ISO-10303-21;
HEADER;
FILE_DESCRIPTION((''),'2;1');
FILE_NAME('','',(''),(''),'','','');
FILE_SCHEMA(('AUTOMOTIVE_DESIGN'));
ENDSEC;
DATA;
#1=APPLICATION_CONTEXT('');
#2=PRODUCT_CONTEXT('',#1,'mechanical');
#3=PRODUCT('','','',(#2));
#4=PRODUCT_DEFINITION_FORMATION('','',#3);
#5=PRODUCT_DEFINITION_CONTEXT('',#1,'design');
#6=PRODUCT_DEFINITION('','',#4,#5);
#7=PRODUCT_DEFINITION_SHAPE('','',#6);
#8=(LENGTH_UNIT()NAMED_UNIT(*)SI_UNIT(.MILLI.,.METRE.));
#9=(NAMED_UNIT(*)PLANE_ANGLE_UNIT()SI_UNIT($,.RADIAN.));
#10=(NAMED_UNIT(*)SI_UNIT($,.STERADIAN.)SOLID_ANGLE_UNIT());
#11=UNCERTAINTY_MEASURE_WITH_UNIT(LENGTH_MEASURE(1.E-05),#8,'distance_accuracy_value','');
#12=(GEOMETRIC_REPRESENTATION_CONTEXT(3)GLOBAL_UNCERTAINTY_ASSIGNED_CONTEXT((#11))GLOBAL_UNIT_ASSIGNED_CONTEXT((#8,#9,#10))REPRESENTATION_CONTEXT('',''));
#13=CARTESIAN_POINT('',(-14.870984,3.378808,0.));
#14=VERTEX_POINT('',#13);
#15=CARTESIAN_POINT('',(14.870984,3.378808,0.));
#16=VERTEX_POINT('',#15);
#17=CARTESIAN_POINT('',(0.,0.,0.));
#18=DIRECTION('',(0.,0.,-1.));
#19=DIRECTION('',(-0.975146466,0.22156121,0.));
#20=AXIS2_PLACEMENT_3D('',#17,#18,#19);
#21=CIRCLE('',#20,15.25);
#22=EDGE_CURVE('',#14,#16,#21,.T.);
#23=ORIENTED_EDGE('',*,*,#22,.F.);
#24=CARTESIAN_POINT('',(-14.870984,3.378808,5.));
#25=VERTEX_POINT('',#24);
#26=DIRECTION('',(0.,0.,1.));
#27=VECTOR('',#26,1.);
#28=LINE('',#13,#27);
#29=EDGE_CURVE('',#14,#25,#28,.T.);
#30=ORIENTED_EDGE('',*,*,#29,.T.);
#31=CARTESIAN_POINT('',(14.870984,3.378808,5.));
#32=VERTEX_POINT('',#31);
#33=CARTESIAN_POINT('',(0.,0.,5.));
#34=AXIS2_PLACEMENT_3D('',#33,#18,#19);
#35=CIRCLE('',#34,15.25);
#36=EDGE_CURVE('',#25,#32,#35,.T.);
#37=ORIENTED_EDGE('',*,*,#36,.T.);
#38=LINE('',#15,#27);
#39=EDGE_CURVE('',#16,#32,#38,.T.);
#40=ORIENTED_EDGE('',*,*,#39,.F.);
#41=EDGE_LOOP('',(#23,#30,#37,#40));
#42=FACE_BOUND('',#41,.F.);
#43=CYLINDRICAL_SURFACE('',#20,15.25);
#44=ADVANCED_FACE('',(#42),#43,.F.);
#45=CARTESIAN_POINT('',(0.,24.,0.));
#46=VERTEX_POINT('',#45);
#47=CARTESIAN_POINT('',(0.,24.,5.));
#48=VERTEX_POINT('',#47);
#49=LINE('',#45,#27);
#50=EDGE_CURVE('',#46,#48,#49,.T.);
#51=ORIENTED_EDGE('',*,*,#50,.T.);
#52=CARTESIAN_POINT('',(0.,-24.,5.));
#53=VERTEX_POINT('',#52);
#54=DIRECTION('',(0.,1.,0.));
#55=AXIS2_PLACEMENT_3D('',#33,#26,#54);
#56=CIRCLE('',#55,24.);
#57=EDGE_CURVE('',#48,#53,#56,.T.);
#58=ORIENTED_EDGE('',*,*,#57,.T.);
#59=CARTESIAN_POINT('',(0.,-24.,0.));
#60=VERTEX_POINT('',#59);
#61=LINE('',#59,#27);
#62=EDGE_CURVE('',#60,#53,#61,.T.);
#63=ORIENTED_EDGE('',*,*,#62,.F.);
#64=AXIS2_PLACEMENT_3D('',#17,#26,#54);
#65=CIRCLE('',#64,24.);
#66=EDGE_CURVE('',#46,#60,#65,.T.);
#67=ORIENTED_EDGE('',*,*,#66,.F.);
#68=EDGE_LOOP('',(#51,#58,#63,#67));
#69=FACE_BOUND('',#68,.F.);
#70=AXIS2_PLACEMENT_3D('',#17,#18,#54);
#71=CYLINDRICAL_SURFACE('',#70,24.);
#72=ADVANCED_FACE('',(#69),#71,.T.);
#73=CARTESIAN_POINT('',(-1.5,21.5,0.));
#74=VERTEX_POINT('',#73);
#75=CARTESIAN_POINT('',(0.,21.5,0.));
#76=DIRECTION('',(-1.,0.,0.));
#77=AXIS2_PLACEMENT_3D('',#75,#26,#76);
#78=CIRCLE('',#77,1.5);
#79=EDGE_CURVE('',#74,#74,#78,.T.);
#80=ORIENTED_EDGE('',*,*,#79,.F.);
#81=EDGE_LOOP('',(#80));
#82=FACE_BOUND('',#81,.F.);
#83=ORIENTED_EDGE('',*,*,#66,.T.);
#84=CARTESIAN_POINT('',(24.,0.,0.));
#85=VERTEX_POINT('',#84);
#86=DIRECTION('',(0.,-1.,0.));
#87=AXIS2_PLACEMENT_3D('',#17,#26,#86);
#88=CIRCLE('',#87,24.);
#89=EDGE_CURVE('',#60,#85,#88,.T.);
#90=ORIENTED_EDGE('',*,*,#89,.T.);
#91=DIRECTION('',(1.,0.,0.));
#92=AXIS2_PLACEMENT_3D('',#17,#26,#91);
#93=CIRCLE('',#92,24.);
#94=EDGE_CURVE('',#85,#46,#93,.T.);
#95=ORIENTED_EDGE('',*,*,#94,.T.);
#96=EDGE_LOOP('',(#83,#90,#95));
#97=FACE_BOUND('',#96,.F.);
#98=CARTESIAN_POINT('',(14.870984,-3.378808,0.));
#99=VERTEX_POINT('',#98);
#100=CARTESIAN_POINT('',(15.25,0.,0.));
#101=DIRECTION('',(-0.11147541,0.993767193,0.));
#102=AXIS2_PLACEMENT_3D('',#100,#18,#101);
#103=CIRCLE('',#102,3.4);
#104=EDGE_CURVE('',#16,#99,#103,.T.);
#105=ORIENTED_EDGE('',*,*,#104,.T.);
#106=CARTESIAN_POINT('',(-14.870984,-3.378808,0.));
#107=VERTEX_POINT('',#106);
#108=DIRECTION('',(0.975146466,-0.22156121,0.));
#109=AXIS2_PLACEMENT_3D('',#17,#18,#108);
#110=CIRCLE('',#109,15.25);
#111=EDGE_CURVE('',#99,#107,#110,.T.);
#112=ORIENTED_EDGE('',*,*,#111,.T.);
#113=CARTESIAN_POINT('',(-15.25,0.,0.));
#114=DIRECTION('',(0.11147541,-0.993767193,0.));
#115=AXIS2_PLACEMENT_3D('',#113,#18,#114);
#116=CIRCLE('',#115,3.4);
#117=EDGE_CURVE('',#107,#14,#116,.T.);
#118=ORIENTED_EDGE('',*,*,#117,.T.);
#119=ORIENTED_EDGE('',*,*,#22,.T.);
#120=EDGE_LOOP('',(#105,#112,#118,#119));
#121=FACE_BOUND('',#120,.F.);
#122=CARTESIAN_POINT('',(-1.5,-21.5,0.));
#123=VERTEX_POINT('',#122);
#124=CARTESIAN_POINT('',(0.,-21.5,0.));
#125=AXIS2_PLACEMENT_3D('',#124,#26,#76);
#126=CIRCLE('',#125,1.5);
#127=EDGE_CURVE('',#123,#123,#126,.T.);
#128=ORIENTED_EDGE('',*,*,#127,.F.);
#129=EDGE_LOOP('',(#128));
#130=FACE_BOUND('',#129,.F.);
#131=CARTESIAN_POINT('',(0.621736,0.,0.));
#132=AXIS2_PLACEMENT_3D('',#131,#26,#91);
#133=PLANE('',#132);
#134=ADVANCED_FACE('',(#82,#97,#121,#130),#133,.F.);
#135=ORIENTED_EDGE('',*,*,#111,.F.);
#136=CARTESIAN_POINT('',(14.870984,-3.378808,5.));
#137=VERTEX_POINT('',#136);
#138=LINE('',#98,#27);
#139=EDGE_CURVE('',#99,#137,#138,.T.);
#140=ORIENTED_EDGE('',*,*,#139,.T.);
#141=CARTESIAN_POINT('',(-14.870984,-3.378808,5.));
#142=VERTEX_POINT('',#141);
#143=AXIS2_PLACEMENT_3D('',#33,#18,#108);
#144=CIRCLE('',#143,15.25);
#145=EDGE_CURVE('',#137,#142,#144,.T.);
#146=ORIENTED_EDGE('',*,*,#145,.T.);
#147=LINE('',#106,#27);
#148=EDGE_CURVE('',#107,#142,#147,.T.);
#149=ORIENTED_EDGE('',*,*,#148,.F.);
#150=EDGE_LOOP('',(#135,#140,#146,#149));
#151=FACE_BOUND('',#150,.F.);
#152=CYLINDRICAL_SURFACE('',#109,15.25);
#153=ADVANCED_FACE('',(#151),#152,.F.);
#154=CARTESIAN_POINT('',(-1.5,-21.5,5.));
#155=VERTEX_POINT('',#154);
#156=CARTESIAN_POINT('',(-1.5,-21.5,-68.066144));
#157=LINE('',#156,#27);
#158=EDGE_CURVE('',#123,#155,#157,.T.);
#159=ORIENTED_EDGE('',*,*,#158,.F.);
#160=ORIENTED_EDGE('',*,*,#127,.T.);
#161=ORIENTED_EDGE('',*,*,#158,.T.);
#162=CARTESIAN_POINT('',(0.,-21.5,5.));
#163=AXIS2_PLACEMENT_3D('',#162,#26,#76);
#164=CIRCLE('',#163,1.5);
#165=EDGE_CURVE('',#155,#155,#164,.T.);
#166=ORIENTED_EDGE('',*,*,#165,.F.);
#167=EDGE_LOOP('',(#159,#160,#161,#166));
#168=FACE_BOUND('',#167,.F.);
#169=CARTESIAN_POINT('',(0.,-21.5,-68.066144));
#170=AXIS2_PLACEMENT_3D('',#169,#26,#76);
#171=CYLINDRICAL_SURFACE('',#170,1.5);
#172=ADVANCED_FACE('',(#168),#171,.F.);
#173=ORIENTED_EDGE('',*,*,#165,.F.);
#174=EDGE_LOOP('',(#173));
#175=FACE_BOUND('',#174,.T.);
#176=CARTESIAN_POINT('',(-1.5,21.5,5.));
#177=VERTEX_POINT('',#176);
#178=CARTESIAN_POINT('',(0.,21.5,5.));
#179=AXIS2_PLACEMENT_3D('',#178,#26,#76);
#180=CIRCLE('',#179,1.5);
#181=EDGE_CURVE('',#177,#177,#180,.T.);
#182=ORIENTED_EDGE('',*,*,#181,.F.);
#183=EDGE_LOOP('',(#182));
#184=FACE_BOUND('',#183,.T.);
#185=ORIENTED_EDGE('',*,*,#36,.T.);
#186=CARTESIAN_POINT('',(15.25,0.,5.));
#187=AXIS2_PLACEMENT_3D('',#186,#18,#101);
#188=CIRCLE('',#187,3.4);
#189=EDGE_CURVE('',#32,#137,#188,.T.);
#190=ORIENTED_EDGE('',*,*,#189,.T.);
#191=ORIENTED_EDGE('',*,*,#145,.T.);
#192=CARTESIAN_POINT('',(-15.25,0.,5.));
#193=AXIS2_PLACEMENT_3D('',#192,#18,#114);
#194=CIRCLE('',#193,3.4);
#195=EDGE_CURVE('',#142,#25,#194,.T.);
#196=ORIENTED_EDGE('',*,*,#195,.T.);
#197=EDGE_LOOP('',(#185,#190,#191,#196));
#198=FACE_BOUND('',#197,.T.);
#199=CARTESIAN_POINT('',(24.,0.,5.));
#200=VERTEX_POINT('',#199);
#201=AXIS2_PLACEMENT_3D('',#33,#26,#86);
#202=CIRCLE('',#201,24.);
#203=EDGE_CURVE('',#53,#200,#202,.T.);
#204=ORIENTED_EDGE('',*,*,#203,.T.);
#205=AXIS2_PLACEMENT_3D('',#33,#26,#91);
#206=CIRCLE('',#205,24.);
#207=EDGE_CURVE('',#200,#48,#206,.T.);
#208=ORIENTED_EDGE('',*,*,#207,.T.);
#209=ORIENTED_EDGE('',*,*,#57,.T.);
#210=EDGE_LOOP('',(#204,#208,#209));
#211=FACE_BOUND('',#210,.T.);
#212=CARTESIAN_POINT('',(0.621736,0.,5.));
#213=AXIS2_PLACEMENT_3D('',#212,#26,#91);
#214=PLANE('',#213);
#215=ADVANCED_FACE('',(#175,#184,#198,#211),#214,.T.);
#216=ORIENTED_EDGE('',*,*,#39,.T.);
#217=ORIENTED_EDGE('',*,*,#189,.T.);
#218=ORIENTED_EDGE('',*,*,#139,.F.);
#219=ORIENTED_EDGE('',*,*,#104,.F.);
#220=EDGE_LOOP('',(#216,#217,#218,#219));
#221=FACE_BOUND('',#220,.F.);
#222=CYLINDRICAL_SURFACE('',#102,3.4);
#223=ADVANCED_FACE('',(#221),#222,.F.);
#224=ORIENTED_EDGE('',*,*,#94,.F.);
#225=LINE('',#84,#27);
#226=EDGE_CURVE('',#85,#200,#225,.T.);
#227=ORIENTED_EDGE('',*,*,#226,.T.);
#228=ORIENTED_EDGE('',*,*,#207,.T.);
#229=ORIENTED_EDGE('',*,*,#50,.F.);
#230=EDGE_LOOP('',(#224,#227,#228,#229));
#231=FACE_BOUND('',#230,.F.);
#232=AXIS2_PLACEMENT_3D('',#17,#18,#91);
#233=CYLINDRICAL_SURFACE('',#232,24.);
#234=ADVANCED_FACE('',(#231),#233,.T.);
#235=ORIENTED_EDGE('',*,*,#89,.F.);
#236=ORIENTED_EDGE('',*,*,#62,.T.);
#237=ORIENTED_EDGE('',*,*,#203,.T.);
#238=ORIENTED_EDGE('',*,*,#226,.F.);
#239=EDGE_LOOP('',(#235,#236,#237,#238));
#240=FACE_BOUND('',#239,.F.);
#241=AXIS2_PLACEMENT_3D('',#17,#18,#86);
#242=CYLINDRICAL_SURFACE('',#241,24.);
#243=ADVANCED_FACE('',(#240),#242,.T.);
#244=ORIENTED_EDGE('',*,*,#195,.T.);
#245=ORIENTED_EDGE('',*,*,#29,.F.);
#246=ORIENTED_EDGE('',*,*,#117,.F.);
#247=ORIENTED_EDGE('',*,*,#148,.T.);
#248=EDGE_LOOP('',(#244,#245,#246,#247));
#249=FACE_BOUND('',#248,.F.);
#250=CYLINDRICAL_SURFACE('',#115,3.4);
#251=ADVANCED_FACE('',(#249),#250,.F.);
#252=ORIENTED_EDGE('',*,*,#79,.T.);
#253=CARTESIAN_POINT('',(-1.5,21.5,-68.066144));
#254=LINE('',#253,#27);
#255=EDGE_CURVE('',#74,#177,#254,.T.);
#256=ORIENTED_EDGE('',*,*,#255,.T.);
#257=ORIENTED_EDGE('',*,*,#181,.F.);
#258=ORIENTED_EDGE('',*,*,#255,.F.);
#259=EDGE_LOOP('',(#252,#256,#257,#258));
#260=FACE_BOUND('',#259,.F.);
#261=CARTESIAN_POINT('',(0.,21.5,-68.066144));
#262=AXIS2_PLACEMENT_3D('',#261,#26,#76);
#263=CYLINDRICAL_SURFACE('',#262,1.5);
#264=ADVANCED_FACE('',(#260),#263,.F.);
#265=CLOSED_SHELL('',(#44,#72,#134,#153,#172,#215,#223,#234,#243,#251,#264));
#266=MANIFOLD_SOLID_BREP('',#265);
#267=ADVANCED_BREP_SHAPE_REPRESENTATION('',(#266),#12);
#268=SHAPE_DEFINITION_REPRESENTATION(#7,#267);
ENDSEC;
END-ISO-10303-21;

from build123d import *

# Parameters (mm, degrees)
F1_DEPTH = 5
F2_D     = 3


with BuildPart() as f1:
    # F0 (on Top) → F1 (new body)
    with BuildSketch(Plane.XY):
        with BuildLine():
            ThreePointArc((0, -19), (13.4350288425, -13.4350288425), (19, 0))
            ThreePointArc((19, 0), (13.4350288425, 13.4350288425), (0, 19))
            ThreePointArc((0, 19), (-19, 0), (0, -19))
        make_face()
        with BuildLine():
            ThreePointArc((-14.8709836066, 3.3788084547), (0, 15.25), (14.8709836066, 3.3788084547))
            ThreePointArc((14.8709836066, 3.3788084547), (18.65, 0), (14.8709836066, -3.3788084547))
            ThreePointArc((14.8709836066, -3.3788084547), (0, -15.25), (-14.8709836066, -3.3788084547))
            ThreePointArc((-14.8709836066, -3.3788084547), (-18.65, 0), (-14.8709836066, 3.3788084547))
        make_face(mode=Mode.SUBTRACT)
        with BuildLine():
            ThreePointArc((0, -19), (-19, 0), (0, 19))
            Line((0, 19), (0, 24))
            ThreePointArc((0, 24), (-24, 0), (0, -24))
            Line((0, -24), (0, -19))
        make_face()
        with BuildLine():
            ThreePointArc((0, 19), (13.4350288425, 13.4350288425), (19, 0))
            ThreePointArc((19, 0), (13.4350288425, -13.4350288425), (0, -19))
            Line((0, -19), (0, -24))
            ThreePointArc((0, -24), (16.9705627485, -16.9705627485), (24, 0))
            ThreePointArc((24, 0), (16.9705627485, 16.9705627485), (0, 24))
            Line((0, 24), (0, 19))
        make_face()
    extrude(amount=F1_DEPTH)

    # F2 (through all)
    with Locations(Plane(origin=(0, 0, 0), x_dir=(1, 0, 0), z_dir=(0, 0, -1))):
        with Locations((0, 21.5), (0, -21.5)):
            Hole(F2_D / 2)


solid = f1.part
